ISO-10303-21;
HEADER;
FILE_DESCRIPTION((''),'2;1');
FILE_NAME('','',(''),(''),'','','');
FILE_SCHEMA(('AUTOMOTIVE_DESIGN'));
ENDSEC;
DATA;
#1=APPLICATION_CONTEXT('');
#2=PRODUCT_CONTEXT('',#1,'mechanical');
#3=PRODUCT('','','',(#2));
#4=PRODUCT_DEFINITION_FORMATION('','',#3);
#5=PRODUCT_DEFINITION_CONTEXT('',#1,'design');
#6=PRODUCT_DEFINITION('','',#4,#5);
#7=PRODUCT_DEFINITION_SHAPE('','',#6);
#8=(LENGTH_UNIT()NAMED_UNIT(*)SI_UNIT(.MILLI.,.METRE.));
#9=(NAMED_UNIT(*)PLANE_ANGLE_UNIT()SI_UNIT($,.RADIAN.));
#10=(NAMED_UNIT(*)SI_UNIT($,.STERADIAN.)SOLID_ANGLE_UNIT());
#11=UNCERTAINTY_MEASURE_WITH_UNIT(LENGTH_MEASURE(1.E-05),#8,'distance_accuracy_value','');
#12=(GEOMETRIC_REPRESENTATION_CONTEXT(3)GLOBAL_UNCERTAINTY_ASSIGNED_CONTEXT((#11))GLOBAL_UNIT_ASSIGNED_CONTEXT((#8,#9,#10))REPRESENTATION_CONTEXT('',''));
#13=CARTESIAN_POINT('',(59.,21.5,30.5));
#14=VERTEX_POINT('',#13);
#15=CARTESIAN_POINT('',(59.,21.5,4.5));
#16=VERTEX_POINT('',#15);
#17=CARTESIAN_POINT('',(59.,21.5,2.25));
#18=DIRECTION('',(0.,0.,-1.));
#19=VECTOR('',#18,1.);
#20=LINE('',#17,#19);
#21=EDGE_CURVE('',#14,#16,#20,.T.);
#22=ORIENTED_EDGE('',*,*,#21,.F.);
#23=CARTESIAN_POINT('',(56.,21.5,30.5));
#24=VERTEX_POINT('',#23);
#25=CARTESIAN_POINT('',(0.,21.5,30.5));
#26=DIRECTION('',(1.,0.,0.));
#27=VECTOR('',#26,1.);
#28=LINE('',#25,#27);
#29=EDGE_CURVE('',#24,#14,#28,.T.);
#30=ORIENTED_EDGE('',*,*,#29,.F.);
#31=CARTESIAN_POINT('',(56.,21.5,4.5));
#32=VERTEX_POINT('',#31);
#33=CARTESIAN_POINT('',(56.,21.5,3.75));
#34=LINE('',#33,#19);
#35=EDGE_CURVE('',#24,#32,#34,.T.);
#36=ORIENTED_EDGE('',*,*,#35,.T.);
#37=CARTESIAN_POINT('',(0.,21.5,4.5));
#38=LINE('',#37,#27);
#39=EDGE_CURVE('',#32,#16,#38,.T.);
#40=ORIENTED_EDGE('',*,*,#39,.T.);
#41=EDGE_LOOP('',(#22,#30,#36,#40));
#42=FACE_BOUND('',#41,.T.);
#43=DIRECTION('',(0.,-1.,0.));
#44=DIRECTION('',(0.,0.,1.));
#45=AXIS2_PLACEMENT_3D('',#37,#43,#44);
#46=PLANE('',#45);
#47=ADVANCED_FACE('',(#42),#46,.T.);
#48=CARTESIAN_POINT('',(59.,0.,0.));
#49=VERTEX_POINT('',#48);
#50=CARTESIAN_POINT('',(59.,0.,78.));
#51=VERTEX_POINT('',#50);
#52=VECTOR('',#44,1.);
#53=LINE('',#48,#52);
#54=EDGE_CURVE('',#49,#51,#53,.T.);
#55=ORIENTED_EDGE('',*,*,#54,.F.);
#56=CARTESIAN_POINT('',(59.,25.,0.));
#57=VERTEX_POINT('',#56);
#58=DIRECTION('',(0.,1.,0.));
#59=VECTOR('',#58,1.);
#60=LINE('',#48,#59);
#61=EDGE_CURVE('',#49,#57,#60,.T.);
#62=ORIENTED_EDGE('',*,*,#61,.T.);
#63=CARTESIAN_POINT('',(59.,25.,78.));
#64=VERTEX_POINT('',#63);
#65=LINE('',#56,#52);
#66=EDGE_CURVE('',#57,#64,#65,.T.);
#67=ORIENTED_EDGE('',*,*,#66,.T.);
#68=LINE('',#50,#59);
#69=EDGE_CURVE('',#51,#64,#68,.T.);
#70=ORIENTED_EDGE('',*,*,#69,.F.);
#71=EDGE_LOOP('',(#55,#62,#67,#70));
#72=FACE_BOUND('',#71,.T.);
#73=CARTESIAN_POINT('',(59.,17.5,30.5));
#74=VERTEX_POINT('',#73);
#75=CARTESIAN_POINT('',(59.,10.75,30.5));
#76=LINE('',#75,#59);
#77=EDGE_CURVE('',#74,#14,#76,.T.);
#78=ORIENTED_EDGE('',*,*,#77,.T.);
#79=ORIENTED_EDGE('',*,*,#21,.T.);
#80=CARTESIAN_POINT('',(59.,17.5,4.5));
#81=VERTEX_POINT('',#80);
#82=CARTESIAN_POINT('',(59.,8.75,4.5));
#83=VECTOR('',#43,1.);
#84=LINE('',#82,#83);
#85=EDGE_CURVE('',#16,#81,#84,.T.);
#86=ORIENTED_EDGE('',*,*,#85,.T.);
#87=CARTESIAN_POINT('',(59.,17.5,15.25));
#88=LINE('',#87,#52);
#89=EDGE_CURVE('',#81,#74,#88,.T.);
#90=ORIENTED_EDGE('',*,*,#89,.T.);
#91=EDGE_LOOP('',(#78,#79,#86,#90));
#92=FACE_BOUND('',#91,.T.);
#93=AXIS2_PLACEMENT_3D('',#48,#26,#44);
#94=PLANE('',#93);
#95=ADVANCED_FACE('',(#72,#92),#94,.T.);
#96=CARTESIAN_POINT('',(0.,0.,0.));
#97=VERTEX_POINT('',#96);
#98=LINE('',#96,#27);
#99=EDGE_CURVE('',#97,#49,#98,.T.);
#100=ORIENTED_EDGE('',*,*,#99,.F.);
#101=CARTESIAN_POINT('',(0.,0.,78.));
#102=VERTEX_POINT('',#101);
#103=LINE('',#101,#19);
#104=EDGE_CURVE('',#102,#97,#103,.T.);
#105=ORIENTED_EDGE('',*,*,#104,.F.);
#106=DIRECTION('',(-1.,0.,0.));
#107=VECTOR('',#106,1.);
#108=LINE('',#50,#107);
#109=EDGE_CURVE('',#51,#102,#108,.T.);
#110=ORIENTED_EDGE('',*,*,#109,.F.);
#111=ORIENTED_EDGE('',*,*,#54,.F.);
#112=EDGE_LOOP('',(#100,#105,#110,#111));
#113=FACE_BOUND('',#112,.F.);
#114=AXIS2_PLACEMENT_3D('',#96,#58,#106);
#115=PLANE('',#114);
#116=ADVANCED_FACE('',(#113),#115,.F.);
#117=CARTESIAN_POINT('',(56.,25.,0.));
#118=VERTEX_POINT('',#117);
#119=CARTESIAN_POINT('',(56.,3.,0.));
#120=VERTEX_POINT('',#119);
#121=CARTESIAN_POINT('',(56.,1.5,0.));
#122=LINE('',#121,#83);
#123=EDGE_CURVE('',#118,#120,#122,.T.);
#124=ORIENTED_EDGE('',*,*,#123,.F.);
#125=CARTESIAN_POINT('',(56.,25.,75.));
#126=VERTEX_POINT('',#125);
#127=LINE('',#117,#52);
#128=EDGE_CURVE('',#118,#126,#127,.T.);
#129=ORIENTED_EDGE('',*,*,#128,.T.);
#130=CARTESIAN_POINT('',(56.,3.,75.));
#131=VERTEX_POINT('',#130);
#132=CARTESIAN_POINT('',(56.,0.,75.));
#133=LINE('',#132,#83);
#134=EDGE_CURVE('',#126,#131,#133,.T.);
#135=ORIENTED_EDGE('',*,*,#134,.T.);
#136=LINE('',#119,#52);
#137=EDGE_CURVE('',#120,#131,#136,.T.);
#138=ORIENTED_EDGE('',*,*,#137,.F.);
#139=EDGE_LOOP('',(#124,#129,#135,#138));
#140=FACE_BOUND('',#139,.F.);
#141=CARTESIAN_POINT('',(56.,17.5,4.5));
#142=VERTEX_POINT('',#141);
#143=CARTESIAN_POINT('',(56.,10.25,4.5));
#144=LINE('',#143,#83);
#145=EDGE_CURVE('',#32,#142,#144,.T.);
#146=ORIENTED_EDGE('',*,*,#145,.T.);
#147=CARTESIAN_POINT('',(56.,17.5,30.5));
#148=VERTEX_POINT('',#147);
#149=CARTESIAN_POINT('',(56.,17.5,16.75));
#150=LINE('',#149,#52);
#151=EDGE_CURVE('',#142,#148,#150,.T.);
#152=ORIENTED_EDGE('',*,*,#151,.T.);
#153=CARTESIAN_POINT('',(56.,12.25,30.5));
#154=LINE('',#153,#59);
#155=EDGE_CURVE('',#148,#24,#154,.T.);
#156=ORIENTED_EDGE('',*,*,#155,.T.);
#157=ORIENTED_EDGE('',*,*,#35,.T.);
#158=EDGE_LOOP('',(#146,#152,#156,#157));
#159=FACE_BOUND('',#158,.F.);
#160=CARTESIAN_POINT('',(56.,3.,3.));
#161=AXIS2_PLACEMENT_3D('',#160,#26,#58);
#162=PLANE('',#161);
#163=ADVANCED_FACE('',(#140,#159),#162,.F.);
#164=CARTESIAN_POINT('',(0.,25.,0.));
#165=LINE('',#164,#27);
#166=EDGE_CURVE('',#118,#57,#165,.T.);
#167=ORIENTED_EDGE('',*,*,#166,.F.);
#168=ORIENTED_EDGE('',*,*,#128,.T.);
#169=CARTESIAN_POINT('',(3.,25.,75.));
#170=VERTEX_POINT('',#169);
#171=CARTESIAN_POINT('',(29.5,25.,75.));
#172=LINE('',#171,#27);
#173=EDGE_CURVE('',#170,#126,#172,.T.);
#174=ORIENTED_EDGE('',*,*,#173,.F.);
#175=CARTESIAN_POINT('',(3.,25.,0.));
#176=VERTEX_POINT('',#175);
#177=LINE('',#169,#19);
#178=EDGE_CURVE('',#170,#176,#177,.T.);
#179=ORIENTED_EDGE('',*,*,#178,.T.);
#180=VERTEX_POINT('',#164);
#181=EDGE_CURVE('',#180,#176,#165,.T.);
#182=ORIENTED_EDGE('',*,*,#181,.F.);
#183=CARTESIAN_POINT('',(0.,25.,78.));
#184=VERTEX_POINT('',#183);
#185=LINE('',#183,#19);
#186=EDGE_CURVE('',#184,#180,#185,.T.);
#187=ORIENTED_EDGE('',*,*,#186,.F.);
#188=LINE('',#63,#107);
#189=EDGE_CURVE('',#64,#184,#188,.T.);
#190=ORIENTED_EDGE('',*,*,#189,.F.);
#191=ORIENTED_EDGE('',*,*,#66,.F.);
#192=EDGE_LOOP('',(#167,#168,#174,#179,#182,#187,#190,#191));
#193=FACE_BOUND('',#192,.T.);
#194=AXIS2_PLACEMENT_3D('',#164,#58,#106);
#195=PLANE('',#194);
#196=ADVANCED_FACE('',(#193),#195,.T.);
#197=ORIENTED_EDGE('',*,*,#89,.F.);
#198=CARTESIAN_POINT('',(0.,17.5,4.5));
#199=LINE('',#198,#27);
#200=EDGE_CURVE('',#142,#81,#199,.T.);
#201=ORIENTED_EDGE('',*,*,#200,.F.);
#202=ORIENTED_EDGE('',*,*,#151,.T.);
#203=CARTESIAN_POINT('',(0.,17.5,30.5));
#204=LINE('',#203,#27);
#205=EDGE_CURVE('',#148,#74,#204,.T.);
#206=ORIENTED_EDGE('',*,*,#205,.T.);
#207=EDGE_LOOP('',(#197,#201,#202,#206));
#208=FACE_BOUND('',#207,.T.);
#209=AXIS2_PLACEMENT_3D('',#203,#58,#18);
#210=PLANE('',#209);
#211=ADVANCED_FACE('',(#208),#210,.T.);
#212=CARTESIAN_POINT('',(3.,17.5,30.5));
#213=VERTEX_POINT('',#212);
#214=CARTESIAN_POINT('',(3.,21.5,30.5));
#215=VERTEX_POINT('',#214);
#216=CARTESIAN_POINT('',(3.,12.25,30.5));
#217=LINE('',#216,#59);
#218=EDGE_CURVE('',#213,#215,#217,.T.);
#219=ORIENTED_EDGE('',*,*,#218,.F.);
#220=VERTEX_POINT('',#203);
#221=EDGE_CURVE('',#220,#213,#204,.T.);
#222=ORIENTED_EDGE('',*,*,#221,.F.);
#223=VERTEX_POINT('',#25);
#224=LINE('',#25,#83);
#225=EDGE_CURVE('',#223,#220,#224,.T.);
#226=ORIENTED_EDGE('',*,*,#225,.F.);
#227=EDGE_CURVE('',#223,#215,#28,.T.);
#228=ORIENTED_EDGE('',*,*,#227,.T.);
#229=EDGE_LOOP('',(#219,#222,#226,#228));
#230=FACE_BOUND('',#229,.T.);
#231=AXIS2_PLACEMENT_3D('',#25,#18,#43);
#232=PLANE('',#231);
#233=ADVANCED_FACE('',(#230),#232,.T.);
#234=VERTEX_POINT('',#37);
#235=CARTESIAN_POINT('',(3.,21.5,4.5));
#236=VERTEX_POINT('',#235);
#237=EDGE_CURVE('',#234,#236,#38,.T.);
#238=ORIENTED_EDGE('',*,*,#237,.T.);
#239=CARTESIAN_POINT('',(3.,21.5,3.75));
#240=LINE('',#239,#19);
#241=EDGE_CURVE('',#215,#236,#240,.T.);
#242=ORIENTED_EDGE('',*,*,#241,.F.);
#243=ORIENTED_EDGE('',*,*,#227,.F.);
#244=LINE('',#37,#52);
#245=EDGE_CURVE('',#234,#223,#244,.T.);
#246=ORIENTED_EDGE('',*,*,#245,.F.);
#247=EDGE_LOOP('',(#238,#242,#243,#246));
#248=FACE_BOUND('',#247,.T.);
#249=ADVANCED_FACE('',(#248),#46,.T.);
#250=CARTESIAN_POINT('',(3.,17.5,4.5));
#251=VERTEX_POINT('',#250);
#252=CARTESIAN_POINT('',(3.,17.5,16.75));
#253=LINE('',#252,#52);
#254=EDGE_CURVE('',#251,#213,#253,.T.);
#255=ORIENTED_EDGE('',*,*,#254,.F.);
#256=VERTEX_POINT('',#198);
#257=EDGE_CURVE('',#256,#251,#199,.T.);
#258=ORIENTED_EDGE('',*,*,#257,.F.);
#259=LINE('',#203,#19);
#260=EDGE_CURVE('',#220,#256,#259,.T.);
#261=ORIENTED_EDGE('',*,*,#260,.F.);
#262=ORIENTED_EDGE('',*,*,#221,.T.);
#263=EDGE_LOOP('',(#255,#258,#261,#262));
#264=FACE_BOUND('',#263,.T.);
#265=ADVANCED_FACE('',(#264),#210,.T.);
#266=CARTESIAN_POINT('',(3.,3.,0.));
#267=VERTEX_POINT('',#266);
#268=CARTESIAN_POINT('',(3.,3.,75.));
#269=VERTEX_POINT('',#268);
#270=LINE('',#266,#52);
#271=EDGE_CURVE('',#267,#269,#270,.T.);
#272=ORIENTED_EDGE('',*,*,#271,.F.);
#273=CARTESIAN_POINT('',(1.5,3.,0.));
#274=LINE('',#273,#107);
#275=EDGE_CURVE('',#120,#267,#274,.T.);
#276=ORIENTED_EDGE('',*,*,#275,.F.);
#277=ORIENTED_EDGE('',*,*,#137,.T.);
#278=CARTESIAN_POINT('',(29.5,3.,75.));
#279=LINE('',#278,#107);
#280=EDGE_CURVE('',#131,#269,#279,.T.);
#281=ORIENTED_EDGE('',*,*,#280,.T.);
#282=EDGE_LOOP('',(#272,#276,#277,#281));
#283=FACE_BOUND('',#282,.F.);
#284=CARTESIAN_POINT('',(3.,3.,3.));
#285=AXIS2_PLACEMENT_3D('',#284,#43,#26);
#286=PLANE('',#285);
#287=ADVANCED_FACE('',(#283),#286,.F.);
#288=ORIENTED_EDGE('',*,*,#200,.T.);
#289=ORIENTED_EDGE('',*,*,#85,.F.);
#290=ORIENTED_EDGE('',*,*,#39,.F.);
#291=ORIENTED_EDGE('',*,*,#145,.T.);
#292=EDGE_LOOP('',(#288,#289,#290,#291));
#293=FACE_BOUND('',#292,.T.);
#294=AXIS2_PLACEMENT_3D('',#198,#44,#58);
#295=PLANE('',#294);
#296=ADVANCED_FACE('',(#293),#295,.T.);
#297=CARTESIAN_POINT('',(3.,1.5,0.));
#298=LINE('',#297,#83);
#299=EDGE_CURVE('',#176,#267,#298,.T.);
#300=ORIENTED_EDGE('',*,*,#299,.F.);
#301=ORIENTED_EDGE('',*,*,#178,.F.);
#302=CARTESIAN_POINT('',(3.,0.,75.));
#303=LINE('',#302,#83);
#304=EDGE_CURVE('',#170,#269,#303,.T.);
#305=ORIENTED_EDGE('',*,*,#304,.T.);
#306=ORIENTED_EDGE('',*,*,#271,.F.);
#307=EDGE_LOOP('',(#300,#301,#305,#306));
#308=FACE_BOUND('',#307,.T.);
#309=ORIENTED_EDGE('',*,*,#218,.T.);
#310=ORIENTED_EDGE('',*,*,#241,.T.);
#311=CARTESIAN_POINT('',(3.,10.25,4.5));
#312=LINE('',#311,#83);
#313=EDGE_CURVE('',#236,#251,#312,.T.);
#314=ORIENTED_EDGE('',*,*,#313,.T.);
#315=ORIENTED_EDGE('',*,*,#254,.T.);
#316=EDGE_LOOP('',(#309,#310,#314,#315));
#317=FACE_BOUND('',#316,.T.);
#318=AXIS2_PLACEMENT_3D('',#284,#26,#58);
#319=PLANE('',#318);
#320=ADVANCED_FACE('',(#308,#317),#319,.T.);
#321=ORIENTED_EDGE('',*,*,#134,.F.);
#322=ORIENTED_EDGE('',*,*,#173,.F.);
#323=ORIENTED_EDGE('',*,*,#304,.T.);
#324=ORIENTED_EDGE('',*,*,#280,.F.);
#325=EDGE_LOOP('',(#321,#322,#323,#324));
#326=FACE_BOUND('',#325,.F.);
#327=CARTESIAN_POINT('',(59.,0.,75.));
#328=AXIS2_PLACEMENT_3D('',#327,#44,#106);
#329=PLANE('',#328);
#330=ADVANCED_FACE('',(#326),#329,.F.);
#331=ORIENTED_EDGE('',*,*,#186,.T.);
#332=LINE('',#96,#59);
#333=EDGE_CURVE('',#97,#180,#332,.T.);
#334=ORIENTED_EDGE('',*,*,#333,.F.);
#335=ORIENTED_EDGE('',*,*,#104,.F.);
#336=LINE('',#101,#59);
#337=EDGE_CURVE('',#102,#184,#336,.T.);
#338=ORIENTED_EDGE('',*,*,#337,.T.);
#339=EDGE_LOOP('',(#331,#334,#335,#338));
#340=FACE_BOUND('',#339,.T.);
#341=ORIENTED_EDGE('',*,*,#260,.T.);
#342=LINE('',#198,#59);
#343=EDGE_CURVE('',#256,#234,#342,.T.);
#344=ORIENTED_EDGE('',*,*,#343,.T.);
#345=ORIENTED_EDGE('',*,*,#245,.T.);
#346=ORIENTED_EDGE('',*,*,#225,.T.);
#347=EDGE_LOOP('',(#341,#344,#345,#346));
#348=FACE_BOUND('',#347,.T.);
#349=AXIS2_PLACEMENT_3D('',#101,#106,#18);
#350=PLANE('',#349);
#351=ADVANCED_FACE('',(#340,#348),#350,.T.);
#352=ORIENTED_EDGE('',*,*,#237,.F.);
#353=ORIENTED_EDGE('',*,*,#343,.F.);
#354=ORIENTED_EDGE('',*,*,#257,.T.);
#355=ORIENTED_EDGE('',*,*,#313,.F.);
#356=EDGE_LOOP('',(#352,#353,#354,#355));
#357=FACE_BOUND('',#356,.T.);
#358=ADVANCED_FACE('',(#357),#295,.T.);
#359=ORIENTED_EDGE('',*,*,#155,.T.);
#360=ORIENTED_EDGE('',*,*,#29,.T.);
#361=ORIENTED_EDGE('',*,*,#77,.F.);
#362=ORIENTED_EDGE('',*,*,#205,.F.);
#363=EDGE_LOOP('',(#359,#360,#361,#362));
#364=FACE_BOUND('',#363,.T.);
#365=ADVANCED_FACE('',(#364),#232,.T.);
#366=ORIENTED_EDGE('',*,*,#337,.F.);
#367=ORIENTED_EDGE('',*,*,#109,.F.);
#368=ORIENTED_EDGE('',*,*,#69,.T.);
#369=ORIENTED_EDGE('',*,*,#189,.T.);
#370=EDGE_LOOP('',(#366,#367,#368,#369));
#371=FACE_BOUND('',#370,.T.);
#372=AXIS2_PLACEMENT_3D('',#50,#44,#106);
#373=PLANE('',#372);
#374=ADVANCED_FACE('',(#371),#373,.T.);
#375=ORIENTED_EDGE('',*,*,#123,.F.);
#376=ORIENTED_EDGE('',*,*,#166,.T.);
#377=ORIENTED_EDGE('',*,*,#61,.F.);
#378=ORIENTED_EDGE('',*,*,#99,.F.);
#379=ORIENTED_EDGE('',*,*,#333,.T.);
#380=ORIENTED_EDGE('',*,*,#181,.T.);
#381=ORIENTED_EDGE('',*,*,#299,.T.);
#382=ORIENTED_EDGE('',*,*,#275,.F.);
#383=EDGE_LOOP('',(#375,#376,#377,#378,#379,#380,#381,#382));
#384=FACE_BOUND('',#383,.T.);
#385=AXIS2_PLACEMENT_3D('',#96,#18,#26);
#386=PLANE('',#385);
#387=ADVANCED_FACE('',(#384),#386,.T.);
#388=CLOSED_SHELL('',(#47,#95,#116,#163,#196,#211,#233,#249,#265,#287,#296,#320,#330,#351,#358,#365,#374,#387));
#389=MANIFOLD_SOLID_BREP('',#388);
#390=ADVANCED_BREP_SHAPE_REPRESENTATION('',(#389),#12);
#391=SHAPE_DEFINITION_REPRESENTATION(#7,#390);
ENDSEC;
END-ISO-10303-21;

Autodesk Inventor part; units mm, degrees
ref_plane "YZ Plane" through (0, 0, 0) normal (1, 0, 0) x (0, 1, 0)
ref_plane "XZ Plane" through (0, 0, 0) normal (0, 1, 0) x (-1, 0, 0)
ref_plane "XY Plane" through (0, 0, 0) normal (0, 0, 1) x (1, 0, 0)
sketch "Sketch2" plane through (0, 0, 0) normal (0, 1, 0) x (-1, 0, 0)
  line L0 (0, 0) -> (-59, 0)
  line L1 (-59, 0) -> (-59, 78)
  line L2 (-59, 78) -> (0, 78)
  line L3 (0, 78) -> (0, 0)
  dimension "d0" = 59
  dimension "d1" = 78
extrude "Extrusion1" add sketch "Sketch2" along normal blind 25
shell "Shell1" thickness 3 removed faces 1 at (39.3333, 25, 52)
sketch "Sketch4" plane through (59, 0, 0) normal (0, 0, -1) x (-1, 0, 0)
  point P0 (59, 0)
sketch "Sketch5" plane through (3, 3, 3) normal (0, 0, 1) x (1, 0, 0)
  line L0 (0, 0) -> (0, 22) projected
  line L1 (0, 22) -> (53, 22) projected
  line L2 (0, 0) -> (53, 0)
  line L3 (53, 0) -> (53, 22)
  line L4 (53, 22) -> (0, 22)
  line L5 (0, 22) -> (0, 0)
  point P0 (-3, -3)
extrude "Extrusion3" cut sketch "Sketch5" against normal blind 10
sketch "Sketch6" plane through (0, 0, 0) normal (-1, 0, 0) x (0, 0, 1)
  line L0 (4.5, 21.5) -> (30.5, 21.5)
  line L1 (30.5, 21.5) -> (30.5, 17.5)
  line L2 (30.5, 17.5) -> (4.5, 17.5)
  line L3 (4.5, 17.5) -> (4.5, 21.5)
  line L4 (0, 0) -> (0, 25) projected
  line L5 (0, 0) -> (78, 0) projected
  dimension "d19" = 26
  dimension "d20" = 4
  dimension "d21" = 4.5
  dimension "d22" = 17.5
extrude "Extrusion4" cut sketch "Sketch6" against normal through all
properties part number "arduino array box v03"
